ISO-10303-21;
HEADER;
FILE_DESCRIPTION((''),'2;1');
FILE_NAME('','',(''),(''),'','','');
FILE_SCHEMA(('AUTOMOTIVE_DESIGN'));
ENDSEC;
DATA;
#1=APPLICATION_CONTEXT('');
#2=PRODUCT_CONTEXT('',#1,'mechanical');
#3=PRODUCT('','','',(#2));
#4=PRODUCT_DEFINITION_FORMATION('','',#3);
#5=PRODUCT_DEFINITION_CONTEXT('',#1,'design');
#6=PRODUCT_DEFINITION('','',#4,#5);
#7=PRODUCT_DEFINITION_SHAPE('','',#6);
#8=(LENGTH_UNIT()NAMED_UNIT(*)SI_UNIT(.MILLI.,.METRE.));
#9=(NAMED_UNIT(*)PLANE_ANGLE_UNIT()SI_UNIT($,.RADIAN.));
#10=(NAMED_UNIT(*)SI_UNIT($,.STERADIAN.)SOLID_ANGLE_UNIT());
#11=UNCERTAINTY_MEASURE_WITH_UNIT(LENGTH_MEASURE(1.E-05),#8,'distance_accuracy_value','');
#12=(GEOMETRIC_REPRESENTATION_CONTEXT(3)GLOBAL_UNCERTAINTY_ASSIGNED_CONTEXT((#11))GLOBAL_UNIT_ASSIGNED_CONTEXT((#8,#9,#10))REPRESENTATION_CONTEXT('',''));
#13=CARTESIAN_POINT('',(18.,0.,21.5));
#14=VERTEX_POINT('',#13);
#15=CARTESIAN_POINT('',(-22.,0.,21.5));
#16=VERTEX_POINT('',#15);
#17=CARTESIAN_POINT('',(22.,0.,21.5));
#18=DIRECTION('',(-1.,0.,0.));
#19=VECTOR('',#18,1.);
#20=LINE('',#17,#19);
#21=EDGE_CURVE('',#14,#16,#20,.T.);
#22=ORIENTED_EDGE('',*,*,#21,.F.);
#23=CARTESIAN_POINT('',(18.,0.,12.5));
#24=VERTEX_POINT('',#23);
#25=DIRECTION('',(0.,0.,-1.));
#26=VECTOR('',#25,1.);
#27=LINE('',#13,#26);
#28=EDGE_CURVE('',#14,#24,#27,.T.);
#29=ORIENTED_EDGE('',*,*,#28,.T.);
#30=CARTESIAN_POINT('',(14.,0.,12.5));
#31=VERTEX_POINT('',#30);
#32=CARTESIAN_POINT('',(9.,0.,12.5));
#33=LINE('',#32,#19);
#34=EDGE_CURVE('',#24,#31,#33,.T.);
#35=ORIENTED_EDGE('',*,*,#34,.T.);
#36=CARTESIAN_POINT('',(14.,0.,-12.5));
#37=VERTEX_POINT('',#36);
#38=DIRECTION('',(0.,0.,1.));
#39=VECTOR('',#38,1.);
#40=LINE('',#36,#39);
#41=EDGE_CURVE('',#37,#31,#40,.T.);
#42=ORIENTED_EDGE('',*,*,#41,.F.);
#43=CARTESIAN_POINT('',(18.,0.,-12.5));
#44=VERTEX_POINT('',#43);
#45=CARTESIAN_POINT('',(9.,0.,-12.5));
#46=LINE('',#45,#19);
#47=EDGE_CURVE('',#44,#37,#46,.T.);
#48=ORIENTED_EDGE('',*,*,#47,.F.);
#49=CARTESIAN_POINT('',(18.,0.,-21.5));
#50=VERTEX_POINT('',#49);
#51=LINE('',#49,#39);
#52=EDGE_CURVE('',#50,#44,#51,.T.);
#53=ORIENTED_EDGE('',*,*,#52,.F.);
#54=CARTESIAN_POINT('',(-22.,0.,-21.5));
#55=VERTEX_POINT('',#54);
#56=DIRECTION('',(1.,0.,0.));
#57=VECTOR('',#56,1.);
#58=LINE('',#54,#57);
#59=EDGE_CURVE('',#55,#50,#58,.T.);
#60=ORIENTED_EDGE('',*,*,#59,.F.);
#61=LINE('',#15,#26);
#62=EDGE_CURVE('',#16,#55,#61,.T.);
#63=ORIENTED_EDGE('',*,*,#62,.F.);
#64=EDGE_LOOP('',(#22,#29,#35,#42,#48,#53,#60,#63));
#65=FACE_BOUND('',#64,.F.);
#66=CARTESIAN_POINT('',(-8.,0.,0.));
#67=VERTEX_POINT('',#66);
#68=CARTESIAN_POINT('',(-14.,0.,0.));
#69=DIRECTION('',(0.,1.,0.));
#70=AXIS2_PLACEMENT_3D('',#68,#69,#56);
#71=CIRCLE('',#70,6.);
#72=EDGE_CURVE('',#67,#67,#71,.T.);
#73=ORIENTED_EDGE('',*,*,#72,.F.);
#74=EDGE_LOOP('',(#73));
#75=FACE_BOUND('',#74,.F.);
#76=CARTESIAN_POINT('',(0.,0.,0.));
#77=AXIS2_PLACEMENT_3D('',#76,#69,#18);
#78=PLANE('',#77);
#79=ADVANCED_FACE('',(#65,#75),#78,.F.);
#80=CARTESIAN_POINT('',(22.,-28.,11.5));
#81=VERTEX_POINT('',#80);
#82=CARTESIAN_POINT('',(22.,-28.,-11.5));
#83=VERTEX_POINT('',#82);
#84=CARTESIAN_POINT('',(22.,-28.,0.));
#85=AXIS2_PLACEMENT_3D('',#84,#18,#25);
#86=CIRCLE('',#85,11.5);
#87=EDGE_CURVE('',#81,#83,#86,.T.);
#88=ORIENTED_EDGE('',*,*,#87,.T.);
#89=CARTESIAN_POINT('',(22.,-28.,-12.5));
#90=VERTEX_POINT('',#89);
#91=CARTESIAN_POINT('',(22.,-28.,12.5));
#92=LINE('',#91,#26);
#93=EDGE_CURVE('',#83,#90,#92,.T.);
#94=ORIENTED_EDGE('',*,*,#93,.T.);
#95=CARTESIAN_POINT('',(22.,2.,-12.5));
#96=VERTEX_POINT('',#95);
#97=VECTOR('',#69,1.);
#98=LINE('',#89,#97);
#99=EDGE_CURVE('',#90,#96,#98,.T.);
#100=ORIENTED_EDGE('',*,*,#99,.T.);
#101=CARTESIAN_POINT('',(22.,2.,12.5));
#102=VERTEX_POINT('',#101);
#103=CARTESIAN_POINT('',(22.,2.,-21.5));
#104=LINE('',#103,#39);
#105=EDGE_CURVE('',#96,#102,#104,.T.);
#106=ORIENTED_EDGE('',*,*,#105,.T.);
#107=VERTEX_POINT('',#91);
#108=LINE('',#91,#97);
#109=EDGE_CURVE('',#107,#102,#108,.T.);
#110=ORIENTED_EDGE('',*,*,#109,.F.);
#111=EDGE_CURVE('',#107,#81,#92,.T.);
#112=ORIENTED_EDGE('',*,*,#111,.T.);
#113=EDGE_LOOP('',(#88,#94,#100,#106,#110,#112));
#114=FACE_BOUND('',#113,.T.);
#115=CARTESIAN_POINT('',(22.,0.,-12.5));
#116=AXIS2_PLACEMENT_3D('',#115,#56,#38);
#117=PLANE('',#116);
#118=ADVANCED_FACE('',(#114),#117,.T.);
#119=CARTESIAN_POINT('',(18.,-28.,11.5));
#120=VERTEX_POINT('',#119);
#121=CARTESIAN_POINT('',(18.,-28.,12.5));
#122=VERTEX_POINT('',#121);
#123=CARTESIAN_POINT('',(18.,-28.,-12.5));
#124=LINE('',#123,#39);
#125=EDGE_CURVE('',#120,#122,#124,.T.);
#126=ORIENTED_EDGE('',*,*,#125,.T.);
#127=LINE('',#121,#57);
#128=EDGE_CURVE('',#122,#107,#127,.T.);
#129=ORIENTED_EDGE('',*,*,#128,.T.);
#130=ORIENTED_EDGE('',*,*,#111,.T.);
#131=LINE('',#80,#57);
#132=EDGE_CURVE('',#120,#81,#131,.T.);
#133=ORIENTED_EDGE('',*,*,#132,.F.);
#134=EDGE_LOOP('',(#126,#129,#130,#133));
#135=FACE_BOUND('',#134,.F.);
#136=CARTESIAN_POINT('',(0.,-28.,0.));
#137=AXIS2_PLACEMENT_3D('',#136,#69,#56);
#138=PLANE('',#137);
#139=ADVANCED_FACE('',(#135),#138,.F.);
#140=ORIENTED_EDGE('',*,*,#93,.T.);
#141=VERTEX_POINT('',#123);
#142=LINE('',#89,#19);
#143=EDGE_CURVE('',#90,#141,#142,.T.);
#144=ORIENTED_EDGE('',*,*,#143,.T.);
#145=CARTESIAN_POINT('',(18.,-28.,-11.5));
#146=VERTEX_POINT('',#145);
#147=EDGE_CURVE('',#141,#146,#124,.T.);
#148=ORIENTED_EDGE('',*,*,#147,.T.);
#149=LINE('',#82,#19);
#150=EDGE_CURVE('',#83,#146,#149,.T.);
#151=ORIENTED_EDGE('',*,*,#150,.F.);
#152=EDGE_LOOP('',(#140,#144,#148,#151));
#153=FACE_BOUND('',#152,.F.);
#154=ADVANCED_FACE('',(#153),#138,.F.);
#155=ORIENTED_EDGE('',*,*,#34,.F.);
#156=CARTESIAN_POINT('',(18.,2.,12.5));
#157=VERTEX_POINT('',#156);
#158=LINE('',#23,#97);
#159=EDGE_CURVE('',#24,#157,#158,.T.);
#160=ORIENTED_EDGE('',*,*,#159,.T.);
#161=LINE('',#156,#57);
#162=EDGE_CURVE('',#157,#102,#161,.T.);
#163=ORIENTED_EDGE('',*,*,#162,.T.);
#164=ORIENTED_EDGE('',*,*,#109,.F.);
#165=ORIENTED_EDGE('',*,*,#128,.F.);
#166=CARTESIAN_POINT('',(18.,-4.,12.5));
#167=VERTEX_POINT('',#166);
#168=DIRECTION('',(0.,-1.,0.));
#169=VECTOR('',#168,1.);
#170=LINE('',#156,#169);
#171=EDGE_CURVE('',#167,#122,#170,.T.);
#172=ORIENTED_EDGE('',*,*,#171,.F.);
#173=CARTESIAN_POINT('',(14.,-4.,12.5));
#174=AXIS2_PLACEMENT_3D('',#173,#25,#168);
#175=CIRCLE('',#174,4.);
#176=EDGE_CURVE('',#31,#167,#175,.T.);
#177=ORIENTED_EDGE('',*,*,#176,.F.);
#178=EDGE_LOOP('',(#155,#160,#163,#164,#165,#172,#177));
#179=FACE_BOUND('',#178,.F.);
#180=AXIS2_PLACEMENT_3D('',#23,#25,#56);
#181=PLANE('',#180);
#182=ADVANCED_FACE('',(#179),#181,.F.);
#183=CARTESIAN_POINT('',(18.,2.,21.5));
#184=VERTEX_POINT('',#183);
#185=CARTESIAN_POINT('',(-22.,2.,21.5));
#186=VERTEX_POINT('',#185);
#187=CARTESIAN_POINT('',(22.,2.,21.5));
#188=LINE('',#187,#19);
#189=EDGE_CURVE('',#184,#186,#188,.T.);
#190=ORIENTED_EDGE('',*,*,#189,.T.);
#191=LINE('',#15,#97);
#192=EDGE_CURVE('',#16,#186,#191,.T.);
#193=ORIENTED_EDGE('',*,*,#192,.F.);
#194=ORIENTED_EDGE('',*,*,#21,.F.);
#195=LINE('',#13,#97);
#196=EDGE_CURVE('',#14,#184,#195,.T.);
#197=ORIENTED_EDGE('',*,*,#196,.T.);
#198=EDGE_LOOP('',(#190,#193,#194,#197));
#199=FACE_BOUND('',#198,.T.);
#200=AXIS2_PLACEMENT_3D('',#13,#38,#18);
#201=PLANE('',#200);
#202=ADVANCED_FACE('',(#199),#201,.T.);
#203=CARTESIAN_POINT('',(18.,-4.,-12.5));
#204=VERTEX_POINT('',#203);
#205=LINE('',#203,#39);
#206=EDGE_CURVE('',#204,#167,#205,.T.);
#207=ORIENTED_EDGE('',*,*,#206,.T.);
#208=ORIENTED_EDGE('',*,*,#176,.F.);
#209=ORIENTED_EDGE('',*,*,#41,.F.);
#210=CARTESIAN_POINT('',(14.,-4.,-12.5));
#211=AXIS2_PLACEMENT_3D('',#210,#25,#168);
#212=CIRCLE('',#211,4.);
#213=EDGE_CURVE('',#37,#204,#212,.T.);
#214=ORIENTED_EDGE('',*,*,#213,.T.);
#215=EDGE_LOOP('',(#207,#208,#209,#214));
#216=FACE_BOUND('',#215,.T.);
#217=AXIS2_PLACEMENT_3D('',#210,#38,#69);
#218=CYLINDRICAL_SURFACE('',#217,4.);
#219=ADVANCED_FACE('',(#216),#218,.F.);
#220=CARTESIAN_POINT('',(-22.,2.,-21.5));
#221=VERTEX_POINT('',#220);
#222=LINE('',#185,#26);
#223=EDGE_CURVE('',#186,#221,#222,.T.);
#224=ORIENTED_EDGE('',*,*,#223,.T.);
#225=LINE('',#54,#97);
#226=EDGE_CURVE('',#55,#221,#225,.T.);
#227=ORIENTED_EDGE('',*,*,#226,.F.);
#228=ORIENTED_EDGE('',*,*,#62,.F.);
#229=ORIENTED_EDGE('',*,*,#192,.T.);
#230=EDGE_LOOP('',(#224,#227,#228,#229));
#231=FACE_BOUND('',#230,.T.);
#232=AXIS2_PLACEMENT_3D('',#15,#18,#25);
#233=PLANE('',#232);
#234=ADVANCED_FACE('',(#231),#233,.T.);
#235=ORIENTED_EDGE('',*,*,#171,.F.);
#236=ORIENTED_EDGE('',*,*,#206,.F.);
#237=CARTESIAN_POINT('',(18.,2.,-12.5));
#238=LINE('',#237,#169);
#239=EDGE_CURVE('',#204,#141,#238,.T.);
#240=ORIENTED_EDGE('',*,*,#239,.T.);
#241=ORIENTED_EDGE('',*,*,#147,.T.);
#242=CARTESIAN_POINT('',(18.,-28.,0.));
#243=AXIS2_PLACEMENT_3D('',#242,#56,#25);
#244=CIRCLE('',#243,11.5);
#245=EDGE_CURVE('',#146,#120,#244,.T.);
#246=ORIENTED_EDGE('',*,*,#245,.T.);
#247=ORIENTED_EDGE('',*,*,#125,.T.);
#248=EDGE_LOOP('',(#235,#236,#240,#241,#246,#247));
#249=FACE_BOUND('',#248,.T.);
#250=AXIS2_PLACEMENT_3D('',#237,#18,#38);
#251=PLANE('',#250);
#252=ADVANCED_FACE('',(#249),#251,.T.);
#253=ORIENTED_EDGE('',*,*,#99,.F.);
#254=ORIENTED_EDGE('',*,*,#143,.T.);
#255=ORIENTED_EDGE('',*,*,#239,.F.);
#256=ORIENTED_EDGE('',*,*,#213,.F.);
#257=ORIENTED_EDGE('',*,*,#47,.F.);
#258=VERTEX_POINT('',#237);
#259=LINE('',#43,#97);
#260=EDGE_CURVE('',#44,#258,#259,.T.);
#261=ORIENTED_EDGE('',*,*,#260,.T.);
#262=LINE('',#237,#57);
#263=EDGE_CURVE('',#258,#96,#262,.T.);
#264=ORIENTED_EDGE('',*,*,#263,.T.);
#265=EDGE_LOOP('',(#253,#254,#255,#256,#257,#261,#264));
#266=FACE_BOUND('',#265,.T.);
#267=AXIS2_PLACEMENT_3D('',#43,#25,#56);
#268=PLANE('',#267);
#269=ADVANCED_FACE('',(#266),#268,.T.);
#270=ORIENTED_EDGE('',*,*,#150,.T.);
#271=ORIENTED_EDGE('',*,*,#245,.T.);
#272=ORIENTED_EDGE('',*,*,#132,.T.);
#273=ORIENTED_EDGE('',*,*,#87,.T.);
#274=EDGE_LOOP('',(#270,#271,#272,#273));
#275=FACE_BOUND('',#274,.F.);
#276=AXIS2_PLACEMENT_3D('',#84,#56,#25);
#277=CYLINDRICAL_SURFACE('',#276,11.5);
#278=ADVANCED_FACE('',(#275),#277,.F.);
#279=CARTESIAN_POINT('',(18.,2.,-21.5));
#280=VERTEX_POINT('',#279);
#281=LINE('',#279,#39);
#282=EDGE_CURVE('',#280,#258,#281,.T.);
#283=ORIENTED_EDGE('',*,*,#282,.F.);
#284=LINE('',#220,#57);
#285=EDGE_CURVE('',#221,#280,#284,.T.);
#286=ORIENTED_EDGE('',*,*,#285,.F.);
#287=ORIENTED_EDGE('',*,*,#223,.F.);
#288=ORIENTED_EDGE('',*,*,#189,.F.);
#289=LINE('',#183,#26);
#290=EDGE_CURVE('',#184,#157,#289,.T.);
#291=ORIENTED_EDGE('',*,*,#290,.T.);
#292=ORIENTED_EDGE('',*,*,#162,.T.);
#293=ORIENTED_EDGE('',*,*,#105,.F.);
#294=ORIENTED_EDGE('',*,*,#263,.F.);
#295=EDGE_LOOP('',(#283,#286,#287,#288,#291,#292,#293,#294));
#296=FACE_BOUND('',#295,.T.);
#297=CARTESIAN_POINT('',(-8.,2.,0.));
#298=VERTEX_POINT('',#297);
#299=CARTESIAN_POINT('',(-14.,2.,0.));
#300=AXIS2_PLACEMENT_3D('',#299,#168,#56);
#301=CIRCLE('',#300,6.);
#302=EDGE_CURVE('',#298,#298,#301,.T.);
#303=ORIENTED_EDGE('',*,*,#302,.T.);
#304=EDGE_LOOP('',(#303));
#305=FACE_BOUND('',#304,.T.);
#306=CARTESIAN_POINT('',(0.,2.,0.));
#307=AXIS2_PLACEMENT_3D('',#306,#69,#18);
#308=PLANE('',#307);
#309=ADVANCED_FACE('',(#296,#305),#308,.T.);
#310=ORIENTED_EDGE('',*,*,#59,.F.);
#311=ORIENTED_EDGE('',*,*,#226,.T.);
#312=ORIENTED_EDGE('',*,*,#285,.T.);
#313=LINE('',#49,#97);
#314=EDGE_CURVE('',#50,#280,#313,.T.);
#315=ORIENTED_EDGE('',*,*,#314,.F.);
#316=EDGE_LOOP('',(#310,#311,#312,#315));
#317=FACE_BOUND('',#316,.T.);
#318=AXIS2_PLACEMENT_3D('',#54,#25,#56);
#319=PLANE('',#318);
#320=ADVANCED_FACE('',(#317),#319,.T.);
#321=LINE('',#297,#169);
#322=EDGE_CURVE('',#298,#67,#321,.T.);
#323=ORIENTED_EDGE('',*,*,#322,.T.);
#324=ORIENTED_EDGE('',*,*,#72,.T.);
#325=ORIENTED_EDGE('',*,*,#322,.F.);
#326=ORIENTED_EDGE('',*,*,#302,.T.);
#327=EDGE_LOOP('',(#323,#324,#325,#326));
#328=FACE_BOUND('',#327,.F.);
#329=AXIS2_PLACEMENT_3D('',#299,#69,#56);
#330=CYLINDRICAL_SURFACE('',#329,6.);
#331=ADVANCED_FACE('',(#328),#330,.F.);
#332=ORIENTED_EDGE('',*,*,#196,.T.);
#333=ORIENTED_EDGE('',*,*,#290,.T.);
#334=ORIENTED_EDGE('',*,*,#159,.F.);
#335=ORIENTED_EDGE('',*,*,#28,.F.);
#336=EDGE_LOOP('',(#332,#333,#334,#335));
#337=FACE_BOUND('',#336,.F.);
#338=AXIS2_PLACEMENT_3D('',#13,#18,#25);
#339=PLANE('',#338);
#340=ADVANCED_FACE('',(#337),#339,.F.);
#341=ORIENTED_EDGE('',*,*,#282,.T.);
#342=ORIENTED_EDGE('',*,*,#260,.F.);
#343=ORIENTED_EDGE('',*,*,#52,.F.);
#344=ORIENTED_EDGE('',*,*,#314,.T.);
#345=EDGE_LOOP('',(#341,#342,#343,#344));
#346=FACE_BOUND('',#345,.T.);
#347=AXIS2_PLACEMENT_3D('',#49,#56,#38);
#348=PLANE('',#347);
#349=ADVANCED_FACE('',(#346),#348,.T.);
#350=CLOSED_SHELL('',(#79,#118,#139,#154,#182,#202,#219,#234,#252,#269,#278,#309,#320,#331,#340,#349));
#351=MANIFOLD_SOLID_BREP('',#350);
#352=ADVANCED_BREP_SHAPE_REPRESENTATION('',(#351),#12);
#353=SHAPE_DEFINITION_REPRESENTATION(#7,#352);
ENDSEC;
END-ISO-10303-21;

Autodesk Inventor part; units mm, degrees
ref_plane "YZ Plane" through (0, 0, 0) normal (1, 0, 0) x (0, 1, 0)
ref_plane "XZ Plane" through (0, 0, 0) normal (0, 1, 0) x (-1, 0, 0)
ref_plane "XY Plane" through (0, 0, 0) normal (0, 0, 1) x (1, 0, 0)
sketch "Sketch1" plane through (0, 0, 0) normal (0, 1, 0) x (-1, 0, 0)
  line L0 (-22, 21.5) -> (22, 21.5)
  line L1 (22, 21.5) -> (22, -21.5)
  line L2 (22, -21.5) -> (-22, -21.5)
  line L3 (-22, -21.5) -> (-22, 21.5)
  line L4 (-22, 21.5) -> (22, -21.5) construction
  line L5 (22, 21.5) -> (-22, -21.5) construction
  line L6 (-22, 21.5) -> (-18, 21.5)
  line L7 (-18, 21.5) -> (-18, 12.5)
  line L8 (-18, 12.5) -> (-22, 12.5)
  line L9 (-22, 12.5) -> (-22, 21.5)
  line L10 (-22, -21.5) -> (-18, -21.5)
  line L11 (-18, -21.5) -> (-18, -12.5)
  line L12 (-18, -12.5) -> (-22, -12.5)
  line L13 (-22, -12.5) -> (-22, -21.5)
  point P0 (0, 0)
  point P1 (-22, 12.5)
  dimension "d0" = 44
  dimension "d1" = 43
  dimension "d7" = 4
  dimension "d8" = 9
  dimension "d9" = 4
  dimension "d10" = 9
extrude "Extrusion1" add sketch "Sketch1" along normal blind 2 contours L0 L1 L2 L11 L12 L3 L8 L7
sketch "Sketch3" plane through (0, 2, 0) normal (0, 1, 0) x (1, 0, 0)
  line L0 (18, -12.5) -> (22, -12.5) projected
  line L1 (22, -12.5) -> (22, 12.5) projected
  line L2 (18, -12.5) -> (22, -12.5)
  line L3 (22, -12.5) -> (22, 12.5)
  line L4 (22, 12.5) -> (18, 12.5)
  line L5 (18, 12.5) -> (18, -12.5)
  point P0 (0, 0)
extrude "Extrusion3" add sketch "Sketch3" against normal blind 30
sketch "Sketch4" plane through (22, 2, 12.5) normal (1, 0, 0) x (0, 0, -1)
  line L0 (0, -30) -> (25, -30) projected
  circle A0 centre (12.5, -30) radius 11.5
  point P0 (12.5, -2)
  dimension "d13" = 23
extrude "Extrusion4" cut sketch "Sketch4" against normal blind 4
sketch "Sketch5" plane through (0, 2, 0) normal (0, 1, 0) x (1, 0, 0)
  line L0 (-22, 21.5) -> (-22, -21.5) projected
  line L1 (-22, 0) -> (-14, 0)
  line L2 (-22, 0) -> (-14, 0) construction
  circle A0 centre (-14, 0) radius 6
  point P0 (0, 0)
  dimension "d16" = 8
  dimension "d17" = 0
  dimension "d18" = 12
extrude "Extrusion5" cut sketch "Sketch5" against normal through all
fillet "Fillet1" radius 4 1 edges at (18, 0, 0)
properties part number "Stepper_Closing_2"
